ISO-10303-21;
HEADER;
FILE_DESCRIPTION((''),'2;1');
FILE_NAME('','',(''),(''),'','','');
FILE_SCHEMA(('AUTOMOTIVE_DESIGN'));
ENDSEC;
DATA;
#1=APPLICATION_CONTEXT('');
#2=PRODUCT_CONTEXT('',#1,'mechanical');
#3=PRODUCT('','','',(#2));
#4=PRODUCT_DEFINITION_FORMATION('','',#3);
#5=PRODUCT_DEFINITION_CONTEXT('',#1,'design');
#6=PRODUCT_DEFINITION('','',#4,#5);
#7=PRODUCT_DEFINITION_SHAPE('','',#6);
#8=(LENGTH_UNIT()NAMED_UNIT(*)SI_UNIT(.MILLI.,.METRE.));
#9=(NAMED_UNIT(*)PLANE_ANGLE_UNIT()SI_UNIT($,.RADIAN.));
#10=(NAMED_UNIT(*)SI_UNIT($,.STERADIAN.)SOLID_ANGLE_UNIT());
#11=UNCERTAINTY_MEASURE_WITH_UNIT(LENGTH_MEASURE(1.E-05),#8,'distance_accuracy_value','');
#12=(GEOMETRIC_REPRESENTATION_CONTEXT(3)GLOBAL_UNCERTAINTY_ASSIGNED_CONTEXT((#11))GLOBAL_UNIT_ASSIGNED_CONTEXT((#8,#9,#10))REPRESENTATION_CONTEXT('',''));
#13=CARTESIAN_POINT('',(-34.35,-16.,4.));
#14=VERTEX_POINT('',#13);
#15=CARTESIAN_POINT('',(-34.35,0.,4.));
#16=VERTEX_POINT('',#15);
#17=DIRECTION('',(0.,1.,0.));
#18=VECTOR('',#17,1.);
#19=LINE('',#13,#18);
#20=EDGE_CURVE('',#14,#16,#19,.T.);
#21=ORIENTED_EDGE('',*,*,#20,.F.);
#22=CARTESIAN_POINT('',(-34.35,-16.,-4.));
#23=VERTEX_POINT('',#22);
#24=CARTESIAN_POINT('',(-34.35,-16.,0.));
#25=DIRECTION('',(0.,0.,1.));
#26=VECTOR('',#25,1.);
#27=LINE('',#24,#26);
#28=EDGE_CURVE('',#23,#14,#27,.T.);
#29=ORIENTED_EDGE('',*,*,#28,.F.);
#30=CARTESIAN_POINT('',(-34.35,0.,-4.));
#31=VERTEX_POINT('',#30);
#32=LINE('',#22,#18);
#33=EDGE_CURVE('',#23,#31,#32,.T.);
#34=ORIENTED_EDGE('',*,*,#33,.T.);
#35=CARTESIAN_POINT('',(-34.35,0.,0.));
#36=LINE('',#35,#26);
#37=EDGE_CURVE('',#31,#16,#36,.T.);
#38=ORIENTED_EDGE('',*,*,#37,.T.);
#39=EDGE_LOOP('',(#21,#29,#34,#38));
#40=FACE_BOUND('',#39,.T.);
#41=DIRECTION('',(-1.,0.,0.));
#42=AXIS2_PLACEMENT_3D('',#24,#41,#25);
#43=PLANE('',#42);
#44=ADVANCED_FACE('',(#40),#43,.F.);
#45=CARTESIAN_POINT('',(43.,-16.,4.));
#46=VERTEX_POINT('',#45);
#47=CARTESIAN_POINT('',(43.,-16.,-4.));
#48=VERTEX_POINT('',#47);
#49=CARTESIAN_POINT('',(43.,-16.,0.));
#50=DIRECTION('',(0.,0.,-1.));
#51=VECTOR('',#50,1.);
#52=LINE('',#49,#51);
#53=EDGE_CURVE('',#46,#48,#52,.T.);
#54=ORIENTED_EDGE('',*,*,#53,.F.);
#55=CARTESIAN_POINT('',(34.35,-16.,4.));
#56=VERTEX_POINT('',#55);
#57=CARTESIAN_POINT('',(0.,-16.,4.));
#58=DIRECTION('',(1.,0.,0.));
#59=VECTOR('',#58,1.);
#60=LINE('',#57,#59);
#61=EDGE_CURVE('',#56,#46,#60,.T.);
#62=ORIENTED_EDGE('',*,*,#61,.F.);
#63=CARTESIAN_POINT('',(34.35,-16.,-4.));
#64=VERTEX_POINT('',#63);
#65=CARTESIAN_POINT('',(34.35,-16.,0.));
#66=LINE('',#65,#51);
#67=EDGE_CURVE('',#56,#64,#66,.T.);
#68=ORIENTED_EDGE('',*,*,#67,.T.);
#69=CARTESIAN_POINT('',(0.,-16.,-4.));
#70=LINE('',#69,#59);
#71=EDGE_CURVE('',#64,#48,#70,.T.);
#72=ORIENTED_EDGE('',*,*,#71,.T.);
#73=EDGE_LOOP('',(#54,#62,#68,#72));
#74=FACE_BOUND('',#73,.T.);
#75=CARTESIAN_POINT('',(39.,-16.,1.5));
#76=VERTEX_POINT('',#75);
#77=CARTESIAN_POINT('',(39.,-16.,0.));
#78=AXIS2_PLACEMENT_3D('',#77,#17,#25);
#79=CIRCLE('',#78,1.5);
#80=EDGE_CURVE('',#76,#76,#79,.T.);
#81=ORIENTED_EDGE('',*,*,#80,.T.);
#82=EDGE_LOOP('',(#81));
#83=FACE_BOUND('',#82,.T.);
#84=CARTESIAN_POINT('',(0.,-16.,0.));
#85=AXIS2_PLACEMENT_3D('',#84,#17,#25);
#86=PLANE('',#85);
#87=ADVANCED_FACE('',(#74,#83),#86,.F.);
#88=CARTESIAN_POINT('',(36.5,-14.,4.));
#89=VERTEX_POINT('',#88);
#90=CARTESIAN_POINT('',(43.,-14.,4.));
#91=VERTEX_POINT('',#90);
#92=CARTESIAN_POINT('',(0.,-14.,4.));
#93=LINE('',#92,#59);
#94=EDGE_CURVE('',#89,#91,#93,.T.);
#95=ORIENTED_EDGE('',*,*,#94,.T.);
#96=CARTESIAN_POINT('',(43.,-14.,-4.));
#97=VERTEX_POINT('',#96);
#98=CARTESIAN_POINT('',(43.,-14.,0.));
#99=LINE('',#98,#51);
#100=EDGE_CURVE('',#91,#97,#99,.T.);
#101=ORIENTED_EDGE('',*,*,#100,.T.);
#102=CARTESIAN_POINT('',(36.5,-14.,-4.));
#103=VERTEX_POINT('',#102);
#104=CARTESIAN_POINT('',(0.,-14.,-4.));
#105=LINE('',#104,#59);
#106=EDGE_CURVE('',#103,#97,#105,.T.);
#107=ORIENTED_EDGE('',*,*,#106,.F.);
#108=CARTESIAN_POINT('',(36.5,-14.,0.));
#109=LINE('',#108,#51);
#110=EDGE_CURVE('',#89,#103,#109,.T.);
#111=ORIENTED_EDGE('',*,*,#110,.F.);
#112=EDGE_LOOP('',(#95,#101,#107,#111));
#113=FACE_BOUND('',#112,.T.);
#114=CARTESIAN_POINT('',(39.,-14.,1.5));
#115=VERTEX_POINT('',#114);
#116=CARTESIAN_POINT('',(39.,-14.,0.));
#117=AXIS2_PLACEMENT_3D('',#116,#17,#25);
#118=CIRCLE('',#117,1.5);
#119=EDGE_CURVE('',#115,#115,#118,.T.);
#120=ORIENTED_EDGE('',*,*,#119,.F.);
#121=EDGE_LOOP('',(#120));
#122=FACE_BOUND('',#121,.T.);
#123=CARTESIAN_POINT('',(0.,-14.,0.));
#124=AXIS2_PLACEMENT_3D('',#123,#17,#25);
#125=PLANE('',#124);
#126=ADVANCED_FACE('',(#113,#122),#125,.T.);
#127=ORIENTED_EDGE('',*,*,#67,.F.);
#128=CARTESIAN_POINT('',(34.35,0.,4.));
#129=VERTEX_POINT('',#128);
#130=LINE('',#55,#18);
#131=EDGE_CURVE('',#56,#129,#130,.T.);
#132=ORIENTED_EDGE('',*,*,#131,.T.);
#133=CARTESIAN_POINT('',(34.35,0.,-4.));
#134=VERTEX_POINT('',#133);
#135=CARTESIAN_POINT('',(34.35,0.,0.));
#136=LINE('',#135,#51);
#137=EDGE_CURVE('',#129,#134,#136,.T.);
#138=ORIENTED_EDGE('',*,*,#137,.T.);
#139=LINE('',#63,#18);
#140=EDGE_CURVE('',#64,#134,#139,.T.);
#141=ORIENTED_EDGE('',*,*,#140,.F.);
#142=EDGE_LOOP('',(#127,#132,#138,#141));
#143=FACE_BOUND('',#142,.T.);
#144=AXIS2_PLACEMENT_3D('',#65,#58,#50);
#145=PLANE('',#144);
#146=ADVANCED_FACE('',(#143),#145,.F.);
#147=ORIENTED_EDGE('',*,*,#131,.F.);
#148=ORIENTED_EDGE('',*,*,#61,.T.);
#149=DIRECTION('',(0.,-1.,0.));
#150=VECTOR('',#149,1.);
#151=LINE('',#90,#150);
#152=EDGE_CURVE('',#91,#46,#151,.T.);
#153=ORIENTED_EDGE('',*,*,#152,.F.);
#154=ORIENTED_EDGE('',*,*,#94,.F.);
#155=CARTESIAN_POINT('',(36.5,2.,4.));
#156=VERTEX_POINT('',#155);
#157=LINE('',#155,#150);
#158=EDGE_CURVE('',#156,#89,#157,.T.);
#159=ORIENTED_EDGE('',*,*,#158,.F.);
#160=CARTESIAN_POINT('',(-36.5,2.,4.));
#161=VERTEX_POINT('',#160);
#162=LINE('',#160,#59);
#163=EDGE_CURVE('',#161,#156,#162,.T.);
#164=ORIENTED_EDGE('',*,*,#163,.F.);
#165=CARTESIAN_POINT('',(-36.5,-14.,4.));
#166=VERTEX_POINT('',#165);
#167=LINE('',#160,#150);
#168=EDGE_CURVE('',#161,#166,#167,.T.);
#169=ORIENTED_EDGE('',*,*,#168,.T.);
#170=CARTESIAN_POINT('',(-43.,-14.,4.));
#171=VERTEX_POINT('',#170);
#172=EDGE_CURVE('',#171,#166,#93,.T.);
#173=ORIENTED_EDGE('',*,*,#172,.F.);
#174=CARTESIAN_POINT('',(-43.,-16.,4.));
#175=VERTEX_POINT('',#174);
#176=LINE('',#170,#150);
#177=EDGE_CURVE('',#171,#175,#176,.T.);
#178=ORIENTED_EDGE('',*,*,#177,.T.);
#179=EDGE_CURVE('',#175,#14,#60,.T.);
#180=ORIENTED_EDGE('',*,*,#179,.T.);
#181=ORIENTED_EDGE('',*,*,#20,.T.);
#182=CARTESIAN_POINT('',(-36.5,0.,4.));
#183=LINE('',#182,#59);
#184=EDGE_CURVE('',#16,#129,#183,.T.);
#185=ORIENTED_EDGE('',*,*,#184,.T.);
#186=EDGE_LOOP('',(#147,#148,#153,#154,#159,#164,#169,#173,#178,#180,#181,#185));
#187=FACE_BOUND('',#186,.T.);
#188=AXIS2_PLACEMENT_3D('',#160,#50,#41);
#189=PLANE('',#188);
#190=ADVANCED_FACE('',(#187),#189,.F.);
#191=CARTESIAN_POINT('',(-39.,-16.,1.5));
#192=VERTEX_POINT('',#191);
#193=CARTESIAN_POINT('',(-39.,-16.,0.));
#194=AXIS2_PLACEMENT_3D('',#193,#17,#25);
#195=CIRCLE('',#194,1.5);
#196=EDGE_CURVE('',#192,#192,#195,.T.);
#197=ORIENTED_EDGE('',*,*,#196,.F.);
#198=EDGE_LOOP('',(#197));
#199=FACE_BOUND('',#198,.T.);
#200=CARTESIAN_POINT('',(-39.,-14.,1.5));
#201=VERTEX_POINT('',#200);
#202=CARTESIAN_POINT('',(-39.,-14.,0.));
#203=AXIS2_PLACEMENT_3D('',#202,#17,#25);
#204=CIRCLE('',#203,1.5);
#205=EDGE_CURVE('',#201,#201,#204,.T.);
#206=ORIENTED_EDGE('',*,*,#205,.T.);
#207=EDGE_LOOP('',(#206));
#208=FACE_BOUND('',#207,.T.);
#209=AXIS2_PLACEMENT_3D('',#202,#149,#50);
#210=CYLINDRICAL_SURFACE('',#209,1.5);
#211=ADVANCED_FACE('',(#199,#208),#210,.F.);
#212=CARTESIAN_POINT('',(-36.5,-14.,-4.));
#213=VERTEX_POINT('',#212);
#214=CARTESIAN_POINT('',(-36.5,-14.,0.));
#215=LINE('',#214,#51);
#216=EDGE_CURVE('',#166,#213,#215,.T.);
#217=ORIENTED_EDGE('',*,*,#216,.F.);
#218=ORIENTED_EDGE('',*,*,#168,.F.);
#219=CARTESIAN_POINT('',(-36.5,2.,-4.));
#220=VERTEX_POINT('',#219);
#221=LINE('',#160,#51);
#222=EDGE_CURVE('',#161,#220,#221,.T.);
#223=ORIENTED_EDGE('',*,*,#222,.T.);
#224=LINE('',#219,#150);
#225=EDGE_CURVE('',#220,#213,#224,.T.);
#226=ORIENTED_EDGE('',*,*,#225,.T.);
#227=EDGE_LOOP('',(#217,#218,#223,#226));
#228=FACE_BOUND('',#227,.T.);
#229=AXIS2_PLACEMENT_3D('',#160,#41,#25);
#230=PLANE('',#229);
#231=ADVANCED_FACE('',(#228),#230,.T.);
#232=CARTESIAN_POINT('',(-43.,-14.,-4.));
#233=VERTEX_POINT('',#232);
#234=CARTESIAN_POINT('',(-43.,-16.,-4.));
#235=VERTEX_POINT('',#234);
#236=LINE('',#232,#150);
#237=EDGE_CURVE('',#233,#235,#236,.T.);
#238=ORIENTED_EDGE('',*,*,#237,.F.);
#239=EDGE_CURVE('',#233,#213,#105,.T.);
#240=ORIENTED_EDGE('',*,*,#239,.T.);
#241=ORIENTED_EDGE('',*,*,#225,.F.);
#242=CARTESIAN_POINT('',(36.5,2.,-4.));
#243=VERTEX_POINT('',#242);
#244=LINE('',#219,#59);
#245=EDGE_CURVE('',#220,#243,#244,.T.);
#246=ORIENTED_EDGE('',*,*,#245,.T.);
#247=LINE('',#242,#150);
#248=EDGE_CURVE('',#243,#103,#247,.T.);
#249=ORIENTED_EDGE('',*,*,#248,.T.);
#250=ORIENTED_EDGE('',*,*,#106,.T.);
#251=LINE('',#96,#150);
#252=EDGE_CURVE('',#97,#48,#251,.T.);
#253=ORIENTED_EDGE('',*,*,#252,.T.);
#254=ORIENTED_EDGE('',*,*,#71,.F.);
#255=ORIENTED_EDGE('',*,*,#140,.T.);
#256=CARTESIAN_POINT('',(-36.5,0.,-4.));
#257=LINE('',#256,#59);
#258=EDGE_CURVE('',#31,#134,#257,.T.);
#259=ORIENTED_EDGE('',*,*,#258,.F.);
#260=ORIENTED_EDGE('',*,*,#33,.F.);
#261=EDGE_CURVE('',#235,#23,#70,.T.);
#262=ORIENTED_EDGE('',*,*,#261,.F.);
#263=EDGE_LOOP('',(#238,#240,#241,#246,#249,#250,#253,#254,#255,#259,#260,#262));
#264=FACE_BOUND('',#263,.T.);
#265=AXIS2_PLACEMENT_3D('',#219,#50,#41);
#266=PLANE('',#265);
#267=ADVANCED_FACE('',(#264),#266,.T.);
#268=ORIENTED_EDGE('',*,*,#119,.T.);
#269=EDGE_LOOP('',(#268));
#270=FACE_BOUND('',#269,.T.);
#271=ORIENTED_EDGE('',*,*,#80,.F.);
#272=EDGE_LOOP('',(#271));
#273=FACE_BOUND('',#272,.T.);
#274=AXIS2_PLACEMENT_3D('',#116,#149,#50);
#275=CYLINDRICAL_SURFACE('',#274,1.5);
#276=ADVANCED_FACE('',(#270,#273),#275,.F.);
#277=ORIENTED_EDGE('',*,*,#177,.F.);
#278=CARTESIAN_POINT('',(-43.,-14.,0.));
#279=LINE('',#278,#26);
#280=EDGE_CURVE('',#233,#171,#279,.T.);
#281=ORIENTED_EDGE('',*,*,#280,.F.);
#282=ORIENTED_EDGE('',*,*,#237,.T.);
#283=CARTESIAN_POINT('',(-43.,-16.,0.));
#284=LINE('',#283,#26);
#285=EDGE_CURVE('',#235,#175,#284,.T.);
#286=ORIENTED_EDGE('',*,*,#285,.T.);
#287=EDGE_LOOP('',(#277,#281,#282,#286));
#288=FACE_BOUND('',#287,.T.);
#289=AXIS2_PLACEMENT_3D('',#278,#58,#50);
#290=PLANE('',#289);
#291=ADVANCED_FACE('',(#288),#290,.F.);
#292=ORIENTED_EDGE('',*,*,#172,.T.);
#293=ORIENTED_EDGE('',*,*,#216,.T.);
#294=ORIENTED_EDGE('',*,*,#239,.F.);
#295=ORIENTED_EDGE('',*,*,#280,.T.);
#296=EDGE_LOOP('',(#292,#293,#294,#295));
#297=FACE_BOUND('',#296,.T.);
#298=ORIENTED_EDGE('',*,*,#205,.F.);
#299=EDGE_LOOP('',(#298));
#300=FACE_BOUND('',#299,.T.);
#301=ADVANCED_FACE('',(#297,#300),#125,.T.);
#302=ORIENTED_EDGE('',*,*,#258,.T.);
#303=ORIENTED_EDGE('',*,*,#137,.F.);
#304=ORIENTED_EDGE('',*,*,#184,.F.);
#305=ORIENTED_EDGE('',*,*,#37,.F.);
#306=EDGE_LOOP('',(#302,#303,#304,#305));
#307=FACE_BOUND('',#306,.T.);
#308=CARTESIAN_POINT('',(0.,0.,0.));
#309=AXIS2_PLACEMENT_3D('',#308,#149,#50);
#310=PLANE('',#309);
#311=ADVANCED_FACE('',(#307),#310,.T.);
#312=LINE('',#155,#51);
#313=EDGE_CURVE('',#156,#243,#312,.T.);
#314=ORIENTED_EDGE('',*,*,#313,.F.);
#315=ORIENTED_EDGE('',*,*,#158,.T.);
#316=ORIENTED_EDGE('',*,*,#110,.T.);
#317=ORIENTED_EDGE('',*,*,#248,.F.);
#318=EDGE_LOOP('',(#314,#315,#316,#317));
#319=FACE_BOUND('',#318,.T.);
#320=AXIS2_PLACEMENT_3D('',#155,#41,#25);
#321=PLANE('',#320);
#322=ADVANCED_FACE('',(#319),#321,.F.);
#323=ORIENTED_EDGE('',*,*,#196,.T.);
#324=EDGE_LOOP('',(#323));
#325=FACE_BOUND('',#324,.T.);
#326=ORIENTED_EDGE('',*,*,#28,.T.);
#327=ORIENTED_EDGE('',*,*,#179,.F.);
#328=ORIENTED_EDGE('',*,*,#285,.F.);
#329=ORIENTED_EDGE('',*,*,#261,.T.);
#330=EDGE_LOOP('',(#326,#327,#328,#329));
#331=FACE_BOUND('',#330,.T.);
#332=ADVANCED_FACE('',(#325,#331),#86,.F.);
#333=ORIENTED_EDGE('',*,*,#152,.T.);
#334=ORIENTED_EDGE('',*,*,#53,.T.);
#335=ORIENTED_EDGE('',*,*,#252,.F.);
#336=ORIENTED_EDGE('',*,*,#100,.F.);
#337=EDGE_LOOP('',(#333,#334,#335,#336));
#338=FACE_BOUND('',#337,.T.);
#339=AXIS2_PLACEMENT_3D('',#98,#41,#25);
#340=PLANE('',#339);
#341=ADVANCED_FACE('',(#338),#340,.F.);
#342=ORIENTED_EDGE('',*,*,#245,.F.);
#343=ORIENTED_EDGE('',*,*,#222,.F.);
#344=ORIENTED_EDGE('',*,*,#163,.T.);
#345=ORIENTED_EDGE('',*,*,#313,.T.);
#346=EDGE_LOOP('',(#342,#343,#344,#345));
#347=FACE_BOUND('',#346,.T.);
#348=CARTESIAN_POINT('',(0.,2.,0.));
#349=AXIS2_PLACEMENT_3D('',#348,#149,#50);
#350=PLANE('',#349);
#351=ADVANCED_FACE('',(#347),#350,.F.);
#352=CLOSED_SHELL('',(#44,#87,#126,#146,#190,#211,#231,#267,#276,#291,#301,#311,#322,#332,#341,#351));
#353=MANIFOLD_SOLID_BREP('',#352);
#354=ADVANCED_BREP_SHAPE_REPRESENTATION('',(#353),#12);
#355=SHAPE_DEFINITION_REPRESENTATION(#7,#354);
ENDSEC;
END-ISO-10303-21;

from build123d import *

# Parameters (mm, degrees)
SKETCH_1_W      = 73
SKETCH_1_H      = 8
EXTRUDE_1_DEPTH = 2
SKETCH_1_15_W   = 2.15
SKETCH_1_15_H   = 8
EXTRUDE_2_DEPTH = 16
EXTRUDE_START   = -16
SKETCH_1_16_W   = 6.5
SKETCH_1_16_H   = 8
SKETCH_1_16_R   = 1.5
EXTRUDE_3_DEPTH = 2


with BuildPart() as part:
    # 草图1 → 凸台-拉伸1 (new body)
    with BuildSketch(Plane(origin=(0, 0, 0), x_dir=(1, 0, 0), z_dir=(0, 1, 0))):
        Rectangle(SKETCH_1_W, SKETCH_1_H)
    extrude(amount=EXTRUDE_1_DEPTH)

    # 草图1<15> → 凸台-拉伸2 (add)
    with BuildSketch(Plane(origin=(0, 0, 0), x_dir=(1, 0, 0), z_dir=(0, 1, 0))):
        with Locations((-35.425, 0)):
            Rectangle(SKETCH_1_15_W, SKETCH_1_15_H)
        with Locations((35.425, 0)):
            Rectangle(SKETCH_1_15_W, SKETCH_1_15_H)
    extrude(amount=-EXTRUDE_2_DEPTH)

    # 草图1<16> → 凸台-拉伸3 (add)
    # profile 1 of 2: a face of its own
    with BuildSketch(Plane(origin=(0, 0, 0), x_dir=(1, 0, 0), z_dir=(0, 1, 0)).offset(EXTRUDE_START)):
        with Locations((-39.75, 0)):
            Rectangle(SKETCH_1_16_W, SKETCH_1_16_H)
        with Locations(Location((-39, 0, 0), (0, 0, 270))):
            Circle(SKETCH_1_16_R, mode=Mode.SUBTRACT)
    # profile 2 of 2: a face of its own
    with BuildSketch(Plane(origin=(0, 0, 0), x_dir=(1, 0, 0), z_dir=(0, 1, 0)).offset(EXTRUDE_START)):
        with Locations((39.75, 0)):
            Rectangle(SKETCH_1_16_W, SKETCH_1_16_H)
        with Locations(Location((39, 0, 0), (0, 0, 270))):
            Circle(SKETCH_1_16_R, mode=Mode.SUBTRACT)
    extrude(amount=EXTRUDE_3_DEPTH)


solid = part.part
